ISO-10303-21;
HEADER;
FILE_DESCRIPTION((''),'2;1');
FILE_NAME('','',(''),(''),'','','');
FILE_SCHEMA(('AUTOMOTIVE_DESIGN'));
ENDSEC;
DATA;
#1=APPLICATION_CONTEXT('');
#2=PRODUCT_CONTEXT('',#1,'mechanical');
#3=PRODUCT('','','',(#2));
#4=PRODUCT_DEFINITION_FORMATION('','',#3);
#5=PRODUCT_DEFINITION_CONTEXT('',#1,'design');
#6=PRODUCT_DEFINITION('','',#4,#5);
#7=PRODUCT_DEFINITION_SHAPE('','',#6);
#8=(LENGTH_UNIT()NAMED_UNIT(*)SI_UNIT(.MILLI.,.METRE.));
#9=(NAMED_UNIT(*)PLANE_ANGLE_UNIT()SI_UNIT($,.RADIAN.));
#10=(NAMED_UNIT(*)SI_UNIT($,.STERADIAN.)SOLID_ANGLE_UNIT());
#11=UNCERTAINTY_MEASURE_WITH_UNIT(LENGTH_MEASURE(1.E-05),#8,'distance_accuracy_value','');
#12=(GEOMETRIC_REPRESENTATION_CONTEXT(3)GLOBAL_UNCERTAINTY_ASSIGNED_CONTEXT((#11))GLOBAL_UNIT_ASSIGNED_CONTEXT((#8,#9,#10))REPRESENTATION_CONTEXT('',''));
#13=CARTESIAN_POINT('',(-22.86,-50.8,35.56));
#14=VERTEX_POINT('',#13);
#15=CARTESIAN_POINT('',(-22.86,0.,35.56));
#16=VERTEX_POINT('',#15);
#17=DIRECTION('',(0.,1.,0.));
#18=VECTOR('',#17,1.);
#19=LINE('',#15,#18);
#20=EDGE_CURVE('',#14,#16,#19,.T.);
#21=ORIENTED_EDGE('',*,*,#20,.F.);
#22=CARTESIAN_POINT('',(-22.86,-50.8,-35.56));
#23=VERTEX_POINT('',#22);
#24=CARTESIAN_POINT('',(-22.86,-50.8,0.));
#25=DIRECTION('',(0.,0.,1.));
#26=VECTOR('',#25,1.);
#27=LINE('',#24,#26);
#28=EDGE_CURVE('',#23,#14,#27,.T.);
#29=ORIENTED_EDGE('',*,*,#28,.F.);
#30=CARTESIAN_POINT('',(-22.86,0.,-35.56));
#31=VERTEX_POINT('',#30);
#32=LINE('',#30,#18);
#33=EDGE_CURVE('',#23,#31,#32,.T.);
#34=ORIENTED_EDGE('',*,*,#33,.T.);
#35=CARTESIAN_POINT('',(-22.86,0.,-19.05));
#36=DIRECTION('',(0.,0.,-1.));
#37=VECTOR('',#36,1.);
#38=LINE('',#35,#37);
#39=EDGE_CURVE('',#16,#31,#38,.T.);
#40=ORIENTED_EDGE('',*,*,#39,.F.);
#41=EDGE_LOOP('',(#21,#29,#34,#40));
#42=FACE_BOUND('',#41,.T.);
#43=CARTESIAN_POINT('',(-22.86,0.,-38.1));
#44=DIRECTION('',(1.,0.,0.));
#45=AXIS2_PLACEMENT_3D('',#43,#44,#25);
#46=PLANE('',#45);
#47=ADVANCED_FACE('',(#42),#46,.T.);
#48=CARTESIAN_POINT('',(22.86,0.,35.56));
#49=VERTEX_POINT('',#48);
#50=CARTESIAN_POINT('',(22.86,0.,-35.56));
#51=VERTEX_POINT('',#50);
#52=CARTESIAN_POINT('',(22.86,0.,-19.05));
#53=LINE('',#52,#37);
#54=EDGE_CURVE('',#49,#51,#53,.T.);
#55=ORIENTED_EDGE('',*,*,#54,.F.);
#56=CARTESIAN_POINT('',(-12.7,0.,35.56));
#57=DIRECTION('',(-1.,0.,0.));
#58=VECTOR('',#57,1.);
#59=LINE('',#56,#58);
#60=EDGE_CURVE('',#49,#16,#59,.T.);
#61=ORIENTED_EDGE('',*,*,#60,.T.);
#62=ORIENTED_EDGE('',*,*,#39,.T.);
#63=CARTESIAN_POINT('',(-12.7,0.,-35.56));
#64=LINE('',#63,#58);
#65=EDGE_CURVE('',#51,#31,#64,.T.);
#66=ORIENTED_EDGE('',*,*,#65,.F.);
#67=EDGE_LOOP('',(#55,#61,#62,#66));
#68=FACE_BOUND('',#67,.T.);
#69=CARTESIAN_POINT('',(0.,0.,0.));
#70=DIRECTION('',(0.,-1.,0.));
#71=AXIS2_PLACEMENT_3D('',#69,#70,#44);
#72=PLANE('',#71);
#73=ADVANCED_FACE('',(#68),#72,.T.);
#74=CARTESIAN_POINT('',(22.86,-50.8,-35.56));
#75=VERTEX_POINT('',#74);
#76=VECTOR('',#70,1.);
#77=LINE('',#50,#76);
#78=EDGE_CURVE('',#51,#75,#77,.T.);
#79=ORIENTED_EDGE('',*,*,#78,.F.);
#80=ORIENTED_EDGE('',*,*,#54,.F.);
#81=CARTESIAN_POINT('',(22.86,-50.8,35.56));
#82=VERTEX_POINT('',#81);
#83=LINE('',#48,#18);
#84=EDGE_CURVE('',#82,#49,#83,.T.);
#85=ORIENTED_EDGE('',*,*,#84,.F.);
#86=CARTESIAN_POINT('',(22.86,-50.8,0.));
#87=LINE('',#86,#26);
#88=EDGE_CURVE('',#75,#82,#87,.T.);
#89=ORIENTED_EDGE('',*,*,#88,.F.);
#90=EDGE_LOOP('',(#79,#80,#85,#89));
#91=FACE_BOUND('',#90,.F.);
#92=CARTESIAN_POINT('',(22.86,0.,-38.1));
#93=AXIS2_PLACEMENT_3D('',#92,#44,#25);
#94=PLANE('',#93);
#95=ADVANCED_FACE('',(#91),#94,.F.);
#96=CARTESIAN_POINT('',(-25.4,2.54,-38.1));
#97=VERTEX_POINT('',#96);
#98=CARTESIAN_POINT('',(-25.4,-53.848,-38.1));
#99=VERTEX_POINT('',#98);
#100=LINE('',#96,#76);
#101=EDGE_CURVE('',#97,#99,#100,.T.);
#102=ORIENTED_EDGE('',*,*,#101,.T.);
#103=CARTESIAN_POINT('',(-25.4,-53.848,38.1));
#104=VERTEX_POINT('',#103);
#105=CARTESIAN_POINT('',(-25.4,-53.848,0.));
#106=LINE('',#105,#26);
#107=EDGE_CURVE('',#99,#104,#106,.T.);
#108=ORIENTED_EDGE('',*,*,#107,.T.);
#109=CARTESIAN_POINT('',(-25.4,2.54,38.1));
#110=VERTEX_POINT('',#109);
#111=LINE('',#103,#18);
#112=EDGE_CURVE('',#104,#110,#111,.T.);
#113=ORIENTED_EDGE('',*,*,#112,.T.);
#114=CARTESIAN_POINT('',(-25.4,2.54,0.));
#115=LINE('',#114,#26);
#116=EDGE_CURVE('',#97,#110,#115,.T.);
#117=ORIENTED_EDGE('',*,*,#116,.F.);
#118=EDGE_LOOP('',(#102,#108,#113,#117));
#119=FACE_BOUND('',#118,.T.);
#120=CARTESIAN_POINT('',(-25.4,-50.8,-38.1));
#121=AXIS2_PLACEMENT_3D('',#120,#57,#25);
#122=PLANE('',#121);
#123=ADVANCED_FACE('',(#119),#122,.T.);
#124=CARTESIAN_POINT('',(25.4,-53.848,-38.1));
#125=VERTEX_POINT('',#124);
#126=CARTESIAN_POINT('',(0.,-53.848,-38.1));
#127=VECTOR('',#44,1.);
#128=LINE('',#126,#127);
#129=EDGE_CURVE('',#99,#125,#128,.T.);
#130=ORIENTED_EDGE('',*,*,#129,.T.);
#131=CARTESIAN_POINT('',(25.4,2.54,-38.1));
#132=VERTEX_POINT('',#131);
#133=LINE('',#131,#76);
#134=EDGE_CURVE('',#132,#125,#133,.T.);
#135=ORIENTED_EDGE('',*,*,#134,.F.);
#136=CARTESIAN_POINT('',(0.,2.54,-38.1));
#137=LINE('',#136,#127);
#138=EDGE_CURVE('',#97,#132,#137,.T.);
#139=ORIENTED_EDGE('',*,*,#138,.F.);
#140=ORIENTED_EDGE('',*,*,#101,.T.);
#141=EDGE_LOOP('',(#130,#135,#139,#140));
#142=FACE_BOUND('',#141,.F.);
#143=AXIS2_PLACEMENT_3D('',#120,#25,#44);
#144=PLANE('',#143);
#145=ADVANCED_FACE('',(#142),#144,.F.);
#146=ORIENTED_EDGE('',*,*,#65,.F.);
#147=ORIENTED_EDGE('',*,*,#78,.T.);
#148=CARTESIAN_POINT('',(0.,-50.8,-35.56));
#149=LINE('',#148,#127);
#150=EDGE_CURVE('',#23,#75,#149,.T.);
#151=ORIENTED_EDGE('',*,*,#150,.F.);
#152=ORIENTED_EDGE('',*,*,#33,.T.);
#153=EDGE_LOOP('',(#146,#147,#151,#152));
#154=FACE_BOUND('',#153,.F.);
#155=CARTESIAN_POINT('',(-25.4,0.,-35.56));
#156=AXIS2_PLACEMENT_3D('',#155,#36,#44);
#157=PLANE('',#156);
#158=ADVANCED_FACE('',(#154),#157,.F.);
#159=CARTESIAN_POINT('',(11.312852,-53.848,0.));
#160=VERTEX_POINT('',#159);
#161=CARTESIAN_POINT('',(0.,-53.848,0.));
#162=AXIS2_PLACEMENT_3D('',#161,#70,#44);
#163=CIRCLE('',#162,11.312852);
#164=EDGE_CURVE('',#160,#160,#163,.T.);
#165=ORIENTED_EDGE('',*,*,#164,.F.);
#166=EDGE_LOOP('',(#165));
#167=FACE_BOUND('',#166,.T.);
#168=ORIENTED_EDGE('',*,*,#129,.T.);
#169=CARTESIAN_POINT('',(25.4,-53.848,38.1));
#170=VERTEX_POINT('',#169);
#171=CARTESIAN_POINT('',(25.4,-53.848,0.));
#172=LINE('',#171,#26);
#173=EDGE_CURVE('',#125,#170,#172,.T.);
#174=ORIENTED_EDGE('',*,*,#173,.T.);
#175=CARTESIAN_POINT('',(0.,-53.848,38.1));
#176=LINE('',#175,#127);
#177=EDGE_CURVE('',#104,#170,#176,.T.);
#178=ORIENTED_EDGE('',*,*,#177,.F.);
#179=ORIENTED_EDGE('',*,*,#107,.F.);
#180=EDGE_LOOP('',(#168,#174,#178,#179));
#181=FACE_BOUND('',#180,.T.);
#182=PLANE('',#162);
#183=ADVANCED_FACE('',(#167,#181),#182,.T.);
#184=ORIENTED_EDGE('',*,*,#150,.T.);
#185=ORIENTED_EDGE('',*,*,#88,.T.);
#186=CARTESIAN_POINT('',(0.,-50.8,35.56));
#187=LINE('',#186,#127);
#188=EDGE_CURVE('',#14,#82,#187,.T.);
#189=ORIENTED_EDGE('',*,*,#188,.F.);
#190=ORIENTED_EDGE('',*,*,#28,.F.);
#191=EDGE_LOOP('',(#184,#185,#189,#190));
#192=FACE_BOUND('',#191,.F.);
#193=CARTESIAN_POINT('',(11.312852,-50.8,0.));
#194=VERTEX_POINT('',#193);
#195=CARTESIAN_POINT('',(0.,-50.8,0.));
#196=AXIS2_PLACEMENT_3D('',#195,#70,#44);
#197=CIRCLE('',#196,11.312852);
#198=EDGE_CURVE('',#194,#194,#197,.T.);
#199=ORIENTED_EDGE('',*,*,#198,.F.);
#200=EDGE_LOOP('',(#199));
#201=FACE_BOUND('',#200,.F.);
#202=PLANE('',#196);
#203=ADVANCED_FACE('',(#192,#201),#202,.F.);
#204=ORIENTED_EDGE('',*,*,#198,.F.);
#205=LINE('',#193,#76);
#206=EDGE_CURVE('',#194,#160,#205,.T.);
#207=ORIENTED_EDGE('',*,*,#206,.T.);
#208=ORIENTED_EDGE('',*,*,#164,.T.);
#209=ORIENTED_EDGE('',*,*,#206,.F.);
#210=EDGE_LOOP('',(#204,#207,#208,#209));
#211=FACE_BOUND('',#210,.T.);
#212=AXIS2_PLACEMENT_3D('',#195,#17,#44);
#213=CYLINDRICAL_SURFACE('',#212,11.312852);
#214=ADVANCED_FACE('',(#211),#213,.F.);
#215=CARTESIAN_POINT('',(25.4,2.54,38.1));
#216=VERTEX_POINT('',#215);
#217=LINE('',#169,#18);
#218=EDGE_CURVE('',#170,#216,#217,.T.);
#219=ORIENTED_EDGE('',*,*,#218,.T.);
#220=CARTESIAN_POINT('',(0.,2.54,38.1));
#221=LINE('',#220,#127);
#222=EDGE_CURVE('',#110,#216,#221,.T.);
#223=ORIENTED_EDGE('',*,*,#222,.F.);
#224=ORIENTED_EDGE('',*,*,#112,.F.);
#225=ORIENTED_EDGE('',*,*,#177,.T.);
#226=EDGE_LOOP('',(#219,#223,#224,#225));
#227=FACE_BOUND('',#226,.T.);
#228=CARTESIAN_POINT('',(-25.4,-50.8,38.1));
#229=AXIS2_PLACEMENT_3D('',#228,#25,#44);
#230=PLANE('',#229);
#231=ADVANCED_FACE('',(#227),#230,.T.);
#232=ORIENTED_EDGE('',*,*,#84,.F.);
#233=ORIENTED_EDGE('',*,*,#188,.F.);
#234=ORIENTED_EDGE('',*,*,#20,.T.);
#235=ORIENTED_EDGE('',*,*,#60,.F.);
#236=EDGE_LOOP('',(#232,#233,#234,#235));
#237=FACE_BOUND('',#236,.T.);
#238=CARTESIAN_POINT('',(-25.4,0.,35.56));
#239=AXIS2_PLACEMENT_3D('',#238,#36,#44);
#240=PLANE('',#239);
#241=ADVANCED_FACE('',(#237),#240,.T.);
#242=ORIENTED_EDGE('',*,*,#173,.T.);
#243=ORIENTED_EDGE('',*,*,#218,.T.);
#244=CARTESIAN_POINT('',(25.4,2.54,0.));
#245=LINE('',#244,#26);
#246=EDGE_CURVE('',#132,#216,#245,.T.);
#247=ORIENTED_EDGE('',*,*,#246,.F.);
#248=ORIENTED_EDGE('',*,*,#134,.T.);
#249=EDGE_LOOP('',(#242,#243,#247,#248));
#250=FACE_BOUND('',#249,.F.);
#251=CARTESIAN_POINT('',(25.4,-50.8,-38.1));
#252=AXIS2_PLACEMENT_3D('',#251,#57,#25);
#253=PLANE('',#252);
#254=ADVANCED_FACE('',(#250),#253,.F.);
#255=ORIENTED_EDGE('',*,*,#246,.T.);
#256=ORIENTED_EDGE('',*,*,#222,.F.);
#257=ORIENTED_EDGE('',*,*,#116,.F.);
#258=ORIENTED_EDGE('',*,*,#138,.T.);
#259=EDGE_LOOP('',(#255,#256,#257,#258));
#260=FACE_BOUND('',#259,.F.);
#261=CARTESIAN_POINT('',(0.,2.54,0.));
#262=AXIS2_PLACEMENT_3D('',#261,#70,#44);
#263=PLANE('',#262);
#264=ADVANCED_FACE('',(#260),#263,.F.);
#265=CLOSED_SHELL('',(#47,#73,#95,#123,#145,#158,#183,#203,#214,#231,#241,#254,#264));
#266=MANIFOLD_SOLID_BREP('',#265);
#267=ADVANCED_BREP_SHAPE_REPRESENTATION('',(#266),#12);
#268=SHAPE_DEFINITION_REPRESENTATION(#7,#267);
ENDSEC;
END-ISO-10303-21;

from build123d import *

# Parameters (mm, degrees)
F0_W     = 50.8
F0_H     = 76.2
F2_DEPTH = 50.8
F3_W     = 50.8
F3_H     = 76.2
F4_DEPTH = 2.54
F5_T     = -2.54
F6_W     = 50.8
F6_H     = 76.2
F6_W_2   = 45.72
F6_H_2   = 71.12
F6_R     = 11.312852
F7_DEPTH = 3.048


with BuildPart() as f2:
    # F0 (on Front) → F2 (new body)
    with BuildSketch(Plane.XZ):
        Rectangle(F0_W, F0_H)
    extrude(amount=F2_DEPTH)

    # F3 (on Front) → F4 (join)
    with BuildSketch(Plane.XZ):
        Rectangle(F3_W, F3_H)
    extrude(amount=-F4_DEPTH)

    # F5
    f5_openings = [f2.faces().sort_by_distance(p)[0] for p in [
        (0, -50.8, 0),
    ]]
    offset(amount=F5_T, openings=f5_openings)

    # F6 (on offset) → F7 (join)
    with BuildSketch(Plane.XZ.offset(50.8)):
        Rectangle(F6_W, F6_H)
        Rectangle(F6_W_2, F6_H_2, mode=Mode.SUBTRACT)
        Rectangle(F6_W_2, F6_H_2)
        Circle(F6_R, mode=Mode.SUBTRACT)
    extrude(amount=F7_DEPTH)


solid = f2.part
